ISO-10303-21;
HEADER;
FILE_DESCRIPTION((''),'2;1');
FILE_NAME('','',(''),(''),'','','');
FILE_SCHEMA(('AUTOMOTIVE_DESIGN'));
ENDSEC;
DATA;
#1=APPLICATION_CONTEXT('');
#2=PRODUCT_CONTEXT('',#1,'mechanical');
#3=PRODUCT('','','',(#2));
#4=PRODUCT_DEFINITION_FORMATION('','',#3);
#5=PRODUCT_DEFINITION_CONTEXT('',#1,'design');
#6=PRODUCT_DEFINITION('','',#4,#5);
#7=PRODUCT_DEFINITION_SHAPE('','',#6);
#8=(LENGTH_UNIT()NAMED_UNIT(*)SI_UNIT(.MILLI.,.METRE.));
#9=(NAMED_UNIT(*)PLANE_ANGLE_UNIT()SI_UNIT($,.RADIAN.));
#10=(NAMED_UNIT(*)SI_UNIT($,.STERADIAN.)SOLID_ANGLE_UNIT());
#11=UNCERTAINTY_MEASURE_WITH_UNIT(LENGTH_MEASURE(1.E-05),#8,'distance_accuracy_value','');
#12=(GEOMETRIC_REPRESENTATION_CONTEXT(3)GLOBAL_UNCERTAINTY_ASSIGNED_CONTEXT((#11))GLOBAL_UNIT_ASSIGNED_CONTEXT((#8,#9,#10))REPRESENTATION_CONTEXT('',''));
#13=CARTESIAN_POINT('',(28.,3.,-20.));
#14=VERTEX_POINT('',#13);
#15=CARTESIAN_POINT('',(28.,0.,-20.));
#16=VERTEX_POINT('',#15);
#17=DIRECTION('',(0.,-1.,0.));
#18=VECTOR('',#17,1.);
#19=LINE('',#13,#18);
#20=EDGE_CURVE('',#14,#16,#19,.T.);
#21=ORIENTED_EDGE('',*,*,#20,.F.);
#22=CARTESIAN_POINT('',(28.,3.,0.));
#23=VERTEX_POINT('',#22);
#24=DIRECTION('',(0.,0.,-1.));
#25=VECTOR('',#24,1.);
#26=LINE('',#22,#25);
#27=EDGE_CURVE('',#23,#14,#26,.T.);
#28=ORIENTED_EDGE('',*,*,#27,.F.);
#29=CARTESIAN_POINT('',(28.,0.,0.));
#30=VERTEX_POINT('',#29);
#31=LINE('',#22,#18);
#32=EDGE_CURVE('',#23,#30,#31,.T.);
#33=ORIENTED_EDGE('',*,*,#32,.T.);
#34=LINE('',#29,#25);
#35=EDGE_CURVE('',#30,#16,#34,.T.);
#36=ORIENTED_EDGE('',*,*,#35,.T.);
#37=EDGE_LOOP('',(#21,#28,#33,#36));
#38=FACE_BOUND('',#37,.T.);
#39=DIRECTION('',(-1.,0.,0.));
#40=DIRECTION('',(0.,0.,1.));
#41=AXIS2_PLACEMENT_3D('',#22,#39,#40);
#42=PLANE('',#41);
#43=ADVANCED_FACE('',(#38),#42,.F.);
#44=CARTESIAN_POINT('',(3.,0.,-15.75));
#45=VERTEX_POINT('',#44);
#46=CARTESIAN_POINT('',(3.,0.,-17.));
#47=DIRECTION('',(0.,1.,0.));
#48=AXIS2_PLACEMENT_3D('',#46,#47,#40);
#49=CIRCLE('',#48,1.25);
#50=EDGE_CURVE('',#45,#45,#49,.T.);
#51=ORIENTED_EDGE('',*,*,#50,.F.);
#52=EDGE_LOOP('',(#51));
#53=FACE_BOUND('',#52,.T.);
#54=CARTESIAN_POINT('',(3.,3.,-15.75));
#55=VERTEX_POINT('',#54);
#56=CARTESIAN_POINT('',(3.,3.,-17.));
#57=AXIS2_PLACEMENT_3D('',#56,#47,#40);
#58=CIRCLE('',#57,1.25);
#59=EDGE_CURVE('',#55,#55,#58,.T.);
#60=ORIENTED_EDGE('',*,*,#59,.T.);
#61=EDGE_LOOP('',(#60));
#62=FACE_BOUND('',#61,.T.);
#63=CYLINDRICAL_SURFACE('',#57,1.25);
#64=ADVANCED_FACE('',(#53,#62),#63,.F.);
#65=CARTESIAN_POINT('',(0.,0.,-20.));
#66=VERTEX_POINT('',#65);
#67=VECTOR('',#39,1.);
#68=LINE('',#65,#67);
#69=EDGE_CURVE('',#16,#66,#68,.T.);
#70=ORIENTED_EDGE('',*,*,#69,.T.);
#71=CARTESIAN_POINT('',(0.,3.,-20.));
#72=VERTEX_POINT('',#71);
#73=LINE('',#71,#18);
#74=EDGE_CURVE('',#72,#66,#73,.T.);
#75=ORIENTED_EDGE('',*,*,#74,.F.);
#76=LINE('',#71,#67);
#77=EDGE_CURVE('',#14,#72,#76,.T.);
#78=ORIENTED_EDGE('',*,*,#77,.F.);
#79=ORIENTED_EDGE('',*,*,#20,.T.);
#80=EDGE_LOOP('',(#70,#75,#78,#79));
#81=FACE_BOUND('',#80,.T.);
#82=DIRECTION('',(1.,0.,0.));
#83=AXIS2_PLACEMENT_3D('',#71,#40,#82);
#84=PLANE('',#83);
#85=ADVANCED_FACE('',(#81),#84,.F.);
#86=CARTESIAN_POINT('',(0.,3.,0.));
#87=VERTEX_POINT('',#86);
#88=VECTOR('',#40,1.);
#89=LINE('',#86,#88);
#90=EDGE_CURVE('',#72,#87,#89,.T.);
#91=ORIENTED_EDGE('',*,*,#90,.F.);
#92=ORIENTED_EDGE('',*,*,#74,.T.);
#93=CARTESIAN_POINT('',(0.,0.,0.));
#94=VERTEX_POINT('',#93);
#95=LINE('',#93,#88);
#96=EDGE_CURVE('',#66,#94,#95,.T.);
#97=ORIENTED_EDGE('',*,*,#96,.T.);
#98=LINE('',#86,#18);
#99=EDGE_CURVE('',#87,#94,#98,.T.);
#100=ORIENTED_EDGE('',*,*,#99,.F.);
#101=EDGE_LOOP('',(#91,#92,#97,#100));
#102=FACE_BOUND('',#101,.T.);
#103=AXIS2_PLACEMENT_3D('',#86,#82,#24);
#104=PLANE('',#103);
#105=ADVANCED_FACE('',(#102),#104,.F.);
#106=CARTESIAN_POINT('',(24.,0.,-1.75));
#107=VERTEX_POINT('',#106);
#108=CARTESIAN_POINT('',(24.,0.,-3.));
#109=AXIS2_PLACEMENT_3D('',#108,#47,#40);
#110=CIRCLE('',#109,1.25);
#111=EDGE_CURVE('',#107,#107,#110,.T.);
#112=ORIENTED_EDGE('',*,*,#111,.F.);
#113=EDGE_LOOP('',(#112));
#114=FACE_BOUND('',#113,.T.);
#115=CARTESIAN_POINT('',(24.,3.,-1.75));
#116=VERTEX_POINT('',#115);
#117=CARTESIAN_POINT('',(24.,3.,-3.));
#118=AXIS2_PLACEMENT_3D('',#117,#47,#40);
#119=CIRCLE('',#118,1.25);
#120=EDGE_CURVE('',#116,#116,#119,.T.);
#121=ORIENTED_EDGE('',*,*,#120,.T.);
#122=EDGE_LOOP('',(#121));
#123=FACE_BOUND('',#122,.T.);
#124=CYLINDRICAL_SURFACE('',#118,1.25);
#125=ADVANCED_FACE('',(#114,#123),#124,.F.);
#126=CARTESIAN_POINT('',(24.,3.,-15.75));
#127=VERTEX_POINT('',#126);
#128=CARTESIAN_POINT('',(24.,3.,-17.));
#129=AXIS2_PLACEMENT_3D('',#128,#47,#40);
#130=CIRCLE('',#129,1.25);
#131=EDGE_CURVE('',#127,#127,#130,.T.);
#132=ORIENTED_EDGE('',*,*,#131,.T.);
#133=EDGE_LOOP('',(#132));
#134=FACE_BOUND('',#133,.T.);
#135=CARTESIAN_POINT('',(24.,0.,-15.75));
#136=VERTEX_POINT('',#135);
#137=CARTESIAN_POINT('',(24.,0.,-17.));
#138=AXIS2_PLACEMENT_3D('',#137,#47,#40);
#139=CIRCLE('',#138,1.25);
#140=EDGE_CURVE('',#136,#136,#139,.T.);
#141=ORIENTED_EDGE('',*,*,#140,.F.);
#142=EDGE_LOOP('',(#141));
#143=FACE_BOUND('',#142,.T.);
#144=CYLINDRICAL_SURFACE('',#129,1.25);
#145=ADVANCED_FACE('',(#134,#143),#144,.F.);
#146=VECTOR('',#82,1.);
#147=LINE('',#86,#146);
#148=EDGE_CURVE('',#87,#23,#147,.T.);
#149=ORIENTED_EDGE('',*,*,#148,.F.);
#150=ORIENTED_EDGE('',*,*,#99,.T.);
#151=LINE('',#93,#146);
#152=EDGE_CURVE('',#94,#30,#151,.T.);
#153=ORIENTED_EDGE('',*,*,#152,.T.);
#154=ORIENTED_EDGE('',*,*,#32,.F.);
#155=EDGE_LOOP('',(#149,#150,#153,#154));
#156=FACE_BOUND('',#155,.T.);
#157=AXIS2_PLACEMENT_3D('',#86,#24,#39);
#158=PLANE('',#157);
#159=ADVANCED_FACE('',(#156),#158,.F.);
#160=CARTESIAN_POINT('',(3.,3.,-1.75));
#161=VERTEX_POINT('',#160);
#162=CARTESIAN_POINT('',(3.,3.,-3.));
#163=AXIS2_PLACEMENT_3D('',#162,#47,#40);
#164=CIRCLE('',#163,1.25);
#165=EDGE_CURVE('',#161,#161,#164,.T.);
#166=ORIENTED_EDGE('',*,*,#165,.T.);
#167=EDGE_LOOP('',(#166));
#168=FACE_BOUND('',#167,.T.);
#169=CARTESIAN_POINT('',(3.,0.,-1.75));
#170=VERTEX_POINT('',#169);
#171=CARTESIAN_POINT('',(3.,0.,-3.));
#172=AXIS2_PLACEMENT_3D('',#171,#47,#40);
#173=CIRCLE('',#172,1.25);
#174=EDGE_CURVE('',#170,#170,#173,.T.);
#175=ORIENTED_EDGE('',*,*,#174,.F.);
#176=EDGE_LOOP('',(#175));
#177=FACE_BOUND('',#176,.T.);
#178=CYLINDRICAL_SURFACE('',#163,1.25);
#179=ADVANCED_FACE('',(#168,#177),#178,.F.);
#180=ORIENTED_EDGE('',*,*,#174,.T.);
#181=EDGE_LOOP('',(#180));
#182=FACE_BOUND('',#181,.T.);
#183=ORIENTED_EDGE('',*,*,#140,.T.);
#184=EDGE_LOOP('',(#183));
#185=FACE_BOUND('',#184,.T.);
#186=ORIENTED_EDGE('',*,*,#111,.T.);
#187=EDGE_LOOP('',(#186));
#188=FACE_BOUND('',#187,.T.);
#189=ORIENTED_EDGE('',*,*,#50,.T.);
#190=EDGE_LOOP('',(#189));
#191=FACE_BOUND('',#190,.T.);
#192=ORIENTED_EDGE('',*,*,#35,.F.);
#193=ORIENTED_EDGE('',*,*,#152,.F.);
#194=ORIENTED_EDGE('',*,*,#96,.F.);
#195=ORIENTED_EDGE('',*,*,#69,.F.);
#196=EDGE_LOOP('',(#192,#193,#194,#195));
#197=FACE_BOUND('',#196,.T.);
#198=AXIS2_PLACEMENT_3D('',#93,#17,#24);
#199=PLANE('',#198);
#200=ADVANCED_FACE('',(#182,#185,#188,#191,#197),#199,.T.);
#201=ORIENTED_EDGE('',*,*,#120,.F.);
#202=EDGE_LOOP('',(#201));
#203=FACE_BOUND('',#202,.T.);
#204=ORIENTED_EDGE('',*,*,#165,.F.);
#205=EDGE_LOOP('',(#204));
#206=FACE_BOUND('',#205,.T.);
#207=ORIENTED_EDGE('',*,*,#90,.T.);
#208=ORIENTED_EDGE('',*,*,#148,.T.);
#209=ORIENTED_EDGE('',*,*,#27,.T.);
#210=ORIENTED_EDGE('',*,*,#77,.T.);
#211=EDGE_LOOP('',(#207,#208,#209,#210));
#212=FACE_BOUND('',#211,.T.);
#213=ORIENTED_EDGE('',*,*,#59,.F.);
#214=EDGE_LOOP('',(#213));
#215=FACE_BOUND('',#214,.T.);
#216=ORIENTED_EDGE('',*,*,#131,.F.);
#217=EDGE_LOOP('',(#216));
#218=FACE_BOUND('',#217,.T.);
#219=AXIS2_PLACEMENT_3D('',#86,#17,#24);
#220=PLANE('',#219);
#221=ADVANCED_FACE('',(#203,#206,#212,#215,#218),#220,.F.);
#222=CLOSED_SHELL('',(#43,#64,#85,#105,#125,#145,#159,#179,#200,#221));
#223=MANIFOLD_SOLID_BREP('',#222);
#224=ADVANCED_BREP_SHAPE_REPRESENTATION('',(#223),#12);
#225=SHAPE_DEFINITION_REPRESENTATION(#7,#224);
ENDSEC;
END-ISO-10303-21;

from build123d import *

# Parameters (mm, degrees)
SKETCH_1_W        = 28
SKETCH_1_H        = 20
EXTRUDE_1_DEPTH   = 3
HOLE_WIZARD_M31_D = 2.5


with BuildPart() as part:
    # Эскиз1 → Бобышка-Вытянуть1 (new body)
    with BuildSketch(Plane(origin=(0, 0, 0), x_dir=(1, 0, 0), z_dir=(0, 1, 0))):
        with Locations((14, 10)):
            Rectangle(SKETCH_1_W, SKETCH_1_H)
    extrude(amount=EXTRUDE_1_DEPTH)

    # Отверстие обработанное метчиком M31 (through all)
    with Locations(Plane(origin=(0, 3, 0), x_dir=(1, 0, 0), z_dir=(0, 1, 0))):
        with Locations((3, 17), (3, 3), (24, 3), (24, 17)):
            Hole(HOLE_WIZARD_M31_D / 2)


solid = part.part
